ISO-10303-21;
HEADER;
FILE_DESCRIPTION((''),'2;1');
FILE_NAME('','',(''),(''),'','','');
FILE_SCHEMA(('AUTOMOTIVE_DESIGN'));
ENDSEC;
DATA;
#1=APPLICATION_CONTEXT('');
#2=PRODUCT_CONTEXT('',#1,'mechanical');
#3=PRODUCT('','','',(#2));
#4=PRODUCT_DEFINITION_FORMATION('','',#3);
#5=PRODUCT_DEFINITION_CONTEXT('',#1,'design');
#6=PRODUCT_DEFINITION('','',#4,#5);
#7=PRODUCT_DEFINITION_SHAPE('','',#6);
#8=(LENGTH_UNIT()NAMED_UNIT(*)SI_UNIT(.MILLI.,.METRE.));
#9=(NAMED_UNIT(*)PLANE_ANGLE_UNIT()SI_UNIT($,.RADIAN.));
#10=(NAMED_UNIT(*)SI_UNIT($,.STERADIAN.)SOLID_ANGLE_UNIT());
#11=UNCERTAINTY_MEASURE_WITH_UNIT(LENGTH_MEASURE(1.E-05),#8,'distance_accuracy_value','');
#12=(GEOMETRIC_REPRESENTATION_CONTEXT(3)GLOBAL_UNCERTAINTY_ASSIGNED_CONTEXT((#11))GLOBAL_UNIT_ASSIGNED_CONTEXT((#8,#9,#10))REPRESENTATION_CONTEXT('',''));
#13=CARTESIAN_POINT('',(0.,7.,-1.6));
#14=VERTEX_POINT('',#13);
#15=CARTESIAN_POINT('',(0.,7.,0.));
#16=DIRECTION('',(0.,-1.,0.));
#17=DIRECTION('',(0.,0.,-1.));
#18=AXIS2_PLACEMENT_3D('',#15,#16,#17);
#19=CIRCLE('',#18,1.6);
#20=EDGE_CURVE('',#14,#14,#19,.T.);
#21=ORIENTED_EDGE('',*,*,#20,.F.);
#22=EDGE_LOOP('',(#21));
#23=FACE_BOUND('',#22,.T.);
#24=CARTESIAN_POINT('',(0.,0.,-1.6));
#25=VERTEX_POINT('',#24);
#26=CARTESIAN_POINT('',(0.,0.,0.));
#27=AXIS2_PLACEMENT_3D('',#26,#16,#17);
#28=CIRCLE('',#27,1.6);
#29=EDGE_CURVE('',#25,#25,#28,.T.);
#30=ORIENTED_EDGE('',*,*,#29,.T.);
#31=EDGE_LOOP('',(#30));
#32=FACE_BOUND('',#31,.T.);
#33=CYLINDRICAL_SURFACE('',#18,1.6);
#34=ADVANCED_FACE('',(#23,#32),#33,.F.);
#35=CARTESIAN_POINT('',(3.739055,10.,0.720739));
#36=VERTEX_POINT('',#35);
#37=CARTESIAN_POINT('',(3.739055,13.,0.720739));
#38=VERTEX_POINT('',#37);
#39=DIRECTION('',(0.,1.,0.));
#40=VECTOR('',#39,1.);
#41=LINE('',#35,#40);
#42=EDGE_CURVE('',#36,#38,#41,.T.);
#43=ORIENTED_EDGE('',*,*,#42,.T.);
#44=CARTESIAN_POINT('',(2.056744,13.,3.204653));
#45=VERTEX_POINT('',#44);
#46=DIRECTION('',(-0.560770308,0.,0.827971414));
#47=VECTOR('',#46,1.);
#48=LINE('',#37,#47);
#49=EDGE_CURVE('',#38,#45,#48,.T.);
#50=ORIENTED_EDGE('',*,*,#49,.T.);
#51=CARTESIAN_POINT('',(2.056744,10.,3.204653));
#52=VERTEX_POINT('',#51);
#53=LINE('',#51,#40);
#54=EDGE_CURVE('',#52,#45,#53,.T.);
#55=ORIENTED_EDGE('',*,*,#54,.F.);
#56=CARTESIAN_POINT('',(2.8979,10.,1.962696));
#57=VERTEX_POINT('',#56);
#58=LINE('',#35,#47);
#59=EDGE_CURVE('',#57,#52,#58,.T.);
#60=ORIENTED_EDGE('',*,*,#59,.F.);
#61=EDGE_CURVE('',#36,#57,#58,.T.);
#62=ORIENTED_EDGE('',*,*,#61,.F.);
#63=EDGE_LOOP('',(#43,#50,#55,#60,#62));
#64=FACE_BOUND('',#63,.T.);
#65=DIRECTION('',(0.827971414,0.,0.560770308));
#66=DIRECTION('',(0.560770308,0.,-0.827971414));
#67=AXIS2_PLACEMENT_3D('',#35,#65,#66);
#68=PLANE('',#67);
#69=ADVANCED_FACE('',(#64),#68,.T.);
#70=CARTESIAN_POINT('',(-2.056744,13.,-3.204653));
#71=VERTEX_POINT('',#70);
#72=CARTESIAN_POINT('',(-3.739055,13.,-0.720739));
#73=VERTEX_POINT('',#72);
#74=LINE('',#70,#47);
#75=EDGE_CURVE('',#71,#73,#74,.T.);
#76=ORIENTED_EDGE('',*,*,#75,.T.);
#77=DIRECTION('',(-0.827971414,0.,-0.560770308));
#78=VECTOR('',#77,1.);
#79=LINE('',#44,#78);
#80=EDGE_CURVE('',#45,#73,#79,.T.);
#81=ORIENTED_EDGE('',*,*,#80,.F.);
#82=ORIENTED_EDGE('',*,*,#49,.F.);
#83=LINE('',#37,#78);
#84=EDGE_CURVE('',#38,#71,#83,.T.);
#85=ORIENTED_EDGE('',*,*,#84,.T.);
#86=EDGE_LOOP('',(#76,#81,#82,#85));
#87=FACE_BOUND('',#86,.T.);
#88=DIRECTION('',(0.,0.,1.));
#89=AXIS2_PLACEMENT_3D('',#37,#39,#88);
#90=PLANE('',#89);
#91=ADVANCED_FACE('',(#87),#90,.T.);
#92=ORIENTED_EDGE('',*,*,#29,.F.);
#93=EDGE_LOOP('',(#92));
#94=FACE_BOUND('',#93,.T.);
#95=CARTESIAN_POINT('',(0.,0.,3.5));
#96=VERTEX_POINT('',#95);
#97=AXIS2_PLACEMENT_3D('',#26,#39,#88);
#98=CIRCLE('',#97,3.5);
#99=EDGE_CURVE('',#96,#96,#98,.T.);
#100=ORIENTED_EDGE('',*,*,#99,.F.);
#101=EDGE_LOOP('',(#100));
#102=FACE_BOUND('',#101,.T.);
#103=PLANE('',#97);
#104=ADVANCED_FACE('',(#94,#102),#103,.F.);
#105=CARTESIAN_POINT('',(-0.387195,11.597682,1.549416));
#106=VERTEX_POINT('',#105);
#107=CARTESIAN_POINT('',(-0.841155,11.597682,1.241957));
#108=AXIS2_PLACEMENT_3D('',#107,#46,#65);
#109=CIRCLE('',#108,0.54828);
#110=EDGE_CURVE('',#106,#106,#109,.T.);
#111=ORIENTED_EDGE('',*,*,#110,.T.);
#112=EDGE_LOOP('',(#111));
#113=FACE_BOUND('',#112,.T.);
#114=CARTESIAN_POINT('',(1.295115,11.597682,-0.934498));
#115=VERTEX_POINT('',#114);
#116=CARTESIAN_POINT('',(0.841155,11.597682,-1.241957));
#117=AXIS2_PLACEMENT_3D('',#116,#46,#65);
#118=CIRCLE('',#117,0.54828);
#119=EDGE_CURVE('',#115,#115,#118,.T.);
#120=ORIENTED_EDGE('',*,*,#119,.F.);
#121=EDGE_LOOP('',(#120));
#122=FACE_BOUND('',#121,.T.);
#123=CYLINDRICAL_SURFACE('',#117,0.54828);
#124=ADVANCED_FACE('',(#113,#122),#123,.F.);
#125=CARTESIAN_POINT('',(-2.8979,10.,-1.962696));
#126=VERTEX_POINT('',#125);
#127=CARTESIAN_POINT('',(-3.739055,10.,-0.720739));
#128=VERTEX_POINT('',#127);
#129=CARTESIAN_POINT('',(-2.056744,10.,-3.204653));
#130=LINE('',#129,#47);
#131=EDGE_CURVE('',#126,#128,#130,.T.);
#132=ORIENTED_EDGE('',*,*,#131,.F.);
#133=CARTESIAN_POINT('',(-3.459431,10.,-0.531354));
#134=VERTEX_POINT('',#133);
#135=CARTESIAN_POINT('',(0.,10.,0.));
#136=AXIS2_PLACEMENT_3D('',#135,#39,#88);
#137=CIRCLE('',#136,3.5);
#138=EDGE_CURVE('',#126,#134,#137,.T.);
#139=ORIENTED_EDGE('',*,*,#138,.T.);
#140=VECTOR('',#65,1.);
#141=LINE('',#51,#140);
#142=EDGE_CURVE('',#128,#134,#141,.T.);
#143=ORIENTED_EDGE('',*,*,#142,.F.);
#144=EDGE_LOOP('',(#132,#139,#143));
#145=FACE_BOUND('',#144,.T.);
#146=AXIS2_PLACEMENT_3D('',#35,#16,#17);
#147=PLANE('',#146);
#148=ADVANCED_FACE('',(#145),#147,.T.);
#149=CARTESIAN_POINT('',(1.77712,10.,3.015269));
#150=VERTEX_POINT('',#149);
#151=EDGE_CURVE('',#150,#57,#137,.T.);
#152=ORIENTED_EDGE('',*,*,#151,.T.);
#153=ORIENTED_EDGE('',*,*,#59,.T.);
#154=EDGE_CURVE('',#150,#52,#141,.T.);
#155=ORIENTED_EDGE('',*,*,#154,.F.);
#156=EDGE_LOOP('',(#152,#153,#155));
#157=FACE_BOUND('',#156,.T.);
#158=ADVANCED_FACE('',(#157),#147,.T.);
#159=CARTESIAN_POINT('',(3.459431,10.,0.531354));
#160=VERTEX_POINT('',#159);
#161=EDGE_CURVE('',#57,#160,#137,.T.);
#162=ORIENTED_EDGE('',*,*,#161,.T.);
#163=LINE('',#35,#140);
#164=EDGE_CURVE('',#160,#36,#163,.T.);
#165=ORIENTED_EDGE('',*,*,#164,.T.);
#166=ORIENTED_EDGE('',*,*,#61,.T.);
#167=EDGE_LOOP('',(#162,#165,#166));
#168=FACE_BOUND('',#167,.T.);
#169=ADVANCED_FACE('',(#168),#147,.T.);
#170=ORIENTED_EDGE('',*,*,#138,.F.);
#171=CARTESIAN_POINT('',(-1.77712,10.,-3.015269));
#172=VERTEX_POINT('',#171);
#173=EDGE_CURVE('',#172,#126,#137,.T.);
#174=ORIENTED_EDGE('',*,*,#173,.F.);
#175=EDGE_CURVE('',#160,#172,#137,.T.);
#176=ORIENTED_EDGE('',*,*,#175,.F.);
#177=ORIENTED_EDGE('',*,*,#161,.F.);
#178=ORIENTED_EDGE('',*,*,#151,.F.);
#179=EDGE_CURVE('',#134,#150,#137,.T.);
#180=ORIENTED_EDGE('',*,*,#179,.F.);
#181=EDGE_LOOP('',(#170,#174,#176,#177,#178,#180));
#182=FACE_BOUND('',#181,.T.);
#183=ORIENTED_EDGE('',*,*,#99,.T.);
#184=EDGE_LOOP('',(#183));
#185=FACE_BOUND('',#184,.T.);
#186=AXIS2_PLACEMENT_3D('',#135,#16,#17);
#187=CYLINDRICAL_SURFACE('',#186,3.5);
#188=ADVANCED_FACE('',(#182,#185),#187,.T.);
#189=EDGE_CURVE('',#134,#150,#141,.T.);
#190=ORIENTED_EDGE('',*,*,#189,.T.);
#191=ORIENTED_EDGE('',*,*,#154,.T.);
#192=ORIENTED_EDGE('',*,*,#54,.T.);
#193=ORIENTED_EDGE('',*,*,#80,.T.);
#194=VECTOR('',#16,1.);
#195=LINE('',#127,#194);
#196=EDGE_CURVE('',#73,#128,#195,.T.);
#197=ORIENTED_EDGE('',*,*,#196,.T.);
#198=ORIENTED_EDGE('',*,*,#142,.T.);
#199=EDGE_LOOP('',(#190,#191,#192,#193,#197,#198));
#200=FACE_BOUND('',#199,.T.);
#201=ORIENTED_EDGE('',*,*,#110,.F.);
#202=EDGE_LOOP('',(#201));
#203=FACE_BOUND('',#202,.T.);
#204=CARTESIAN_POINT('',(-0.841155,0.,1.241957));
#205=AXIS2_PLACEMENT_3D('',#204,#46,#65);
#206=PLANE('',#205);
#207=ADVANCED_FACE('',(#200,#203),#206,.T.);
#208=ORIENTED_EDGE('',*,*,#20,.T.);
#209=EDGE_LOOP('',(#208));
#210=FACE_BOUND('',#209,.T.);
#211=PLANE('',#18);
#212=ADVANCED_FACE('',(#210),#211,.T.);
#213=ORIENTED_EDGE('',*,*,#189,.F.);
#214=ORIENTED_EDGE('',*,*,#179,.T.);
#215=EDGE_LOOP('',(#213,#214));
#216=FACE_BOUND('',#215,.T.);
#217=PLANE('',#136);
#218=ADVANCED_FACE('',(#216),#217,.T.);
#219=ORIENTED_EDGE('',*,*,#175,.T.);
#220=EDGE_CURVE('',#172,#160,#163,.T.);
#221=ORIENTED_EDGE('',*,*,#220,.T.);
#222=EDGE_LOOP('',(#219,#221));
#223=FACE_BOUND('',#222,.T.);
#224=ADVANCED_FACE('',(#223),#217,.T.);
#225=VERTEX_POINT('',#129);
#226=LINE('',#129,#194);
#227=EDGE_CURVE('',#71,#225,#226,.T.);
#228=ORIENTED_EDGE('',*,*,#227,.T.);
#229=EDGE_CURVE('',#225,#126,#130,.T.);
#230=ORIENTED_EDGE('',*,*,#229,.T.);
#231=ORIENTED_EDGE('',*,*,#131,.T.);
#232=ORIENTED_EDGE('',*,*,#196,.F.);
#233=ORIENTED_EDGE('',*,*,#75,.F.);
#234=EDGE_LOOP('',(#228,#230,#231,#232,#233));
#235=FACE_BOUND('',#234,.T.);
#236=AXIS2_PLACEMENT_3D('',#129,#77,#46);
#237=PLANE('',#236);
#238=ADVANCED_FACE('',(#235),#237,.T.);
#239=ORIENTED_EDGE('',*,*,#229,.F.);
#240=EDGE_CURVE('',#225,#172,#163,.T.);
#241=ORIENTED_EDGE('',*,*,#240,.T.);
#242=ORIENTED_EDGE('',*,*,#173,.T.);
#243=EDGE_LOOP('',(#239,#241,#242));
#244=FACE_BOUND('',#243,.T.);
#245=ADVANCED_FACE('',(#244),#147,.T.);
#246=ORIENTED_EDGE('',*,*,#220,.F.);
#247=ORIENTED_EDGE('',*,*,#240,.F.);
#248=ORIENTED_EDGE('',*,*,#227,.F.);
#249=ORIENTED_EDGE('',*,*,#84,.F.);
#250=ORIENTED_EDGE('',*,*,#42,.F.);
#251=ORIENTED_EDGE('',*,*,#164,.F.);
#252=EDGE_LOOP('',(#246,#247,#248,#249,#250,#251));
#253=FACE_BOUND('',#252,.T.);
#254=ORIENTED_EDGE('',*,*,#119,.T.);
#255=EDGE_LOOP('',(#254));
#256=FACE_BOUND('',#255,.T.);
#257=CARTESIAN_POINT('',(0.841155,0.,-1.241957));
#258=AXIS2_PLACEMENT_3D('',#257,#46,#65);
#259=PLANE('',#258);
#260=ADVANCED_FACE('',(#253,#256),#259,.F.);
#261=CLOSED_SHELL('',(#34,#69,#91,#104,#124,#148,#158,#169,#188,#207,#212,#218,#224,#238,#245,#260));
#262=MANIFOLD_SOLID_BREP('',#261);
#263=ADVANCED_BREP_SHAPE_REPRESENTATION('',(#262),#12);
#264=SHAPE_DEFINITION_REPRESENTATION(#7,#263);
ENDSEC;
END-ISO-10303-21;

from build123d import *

# Parameters (mm, degrees)
SKETCH_1_R           = 3.5
EXTRUDE_2_DEPTH      = 10
SKETCH_2_R           = 1.6
CUT_EXTRUDE_1_DEPTH  = 7
EXTRUDE_4_DEPTH      = 1.5
EXTRUDE_4_DEPTH_BACK = 1.5
SKETCH_3_W           = 7
SKETCH_3_H           = 3
SKETCH_3_R           = 0.54827979


with BuildPart() as part:
    # Эскиз1 → Бобышка-Вытянуть2 (new body)
    with BuildSketch(Plane(origin=(0, 0, 0), x_dir=(1, 0, 0), z_dir=(0, 1, 0))):
        Circle(SKETCH_1_R)
    extrude(amount=EXTRUDE_2_DEPTH)

    # Эскиз2 → Вырез-Вытянуть1 (cut)
    with BuildSketch(Plane.XZ):
        Circle(SKETCH_2_R)
    extrude(amount=-CUT_EXTRUDE_1_DEPTH, mode=Mode.SUBTRACT)

    # Эскиз3 → Бобышка-Вытянуть4 (add, two sides: drawn at the far end of the back side and taken through both)
    with BuildSketch(Plane(origin=(0, 0, 0), x_dir=(0.8279714138688067, 0, 0.5607703075378451), z_dir=(-0.5607703075378451, 0, 0.8279714138688067)).offset(-EXTRUDE_4_DEPTH_BACK)):
        with Locations((0, 11.5)):
            Rectangle(SKETCH_3_W, SKETCH_3_H)
        with Locations((0, 11.597681641)):
            Circle(SKETCH_3_R, mode=Mode.SUBTRACT)
    extrude(amount=EXTRUDE_4_DEPTH + EXTRUDE_4_DEPTH_BACK)


solid = part.part
